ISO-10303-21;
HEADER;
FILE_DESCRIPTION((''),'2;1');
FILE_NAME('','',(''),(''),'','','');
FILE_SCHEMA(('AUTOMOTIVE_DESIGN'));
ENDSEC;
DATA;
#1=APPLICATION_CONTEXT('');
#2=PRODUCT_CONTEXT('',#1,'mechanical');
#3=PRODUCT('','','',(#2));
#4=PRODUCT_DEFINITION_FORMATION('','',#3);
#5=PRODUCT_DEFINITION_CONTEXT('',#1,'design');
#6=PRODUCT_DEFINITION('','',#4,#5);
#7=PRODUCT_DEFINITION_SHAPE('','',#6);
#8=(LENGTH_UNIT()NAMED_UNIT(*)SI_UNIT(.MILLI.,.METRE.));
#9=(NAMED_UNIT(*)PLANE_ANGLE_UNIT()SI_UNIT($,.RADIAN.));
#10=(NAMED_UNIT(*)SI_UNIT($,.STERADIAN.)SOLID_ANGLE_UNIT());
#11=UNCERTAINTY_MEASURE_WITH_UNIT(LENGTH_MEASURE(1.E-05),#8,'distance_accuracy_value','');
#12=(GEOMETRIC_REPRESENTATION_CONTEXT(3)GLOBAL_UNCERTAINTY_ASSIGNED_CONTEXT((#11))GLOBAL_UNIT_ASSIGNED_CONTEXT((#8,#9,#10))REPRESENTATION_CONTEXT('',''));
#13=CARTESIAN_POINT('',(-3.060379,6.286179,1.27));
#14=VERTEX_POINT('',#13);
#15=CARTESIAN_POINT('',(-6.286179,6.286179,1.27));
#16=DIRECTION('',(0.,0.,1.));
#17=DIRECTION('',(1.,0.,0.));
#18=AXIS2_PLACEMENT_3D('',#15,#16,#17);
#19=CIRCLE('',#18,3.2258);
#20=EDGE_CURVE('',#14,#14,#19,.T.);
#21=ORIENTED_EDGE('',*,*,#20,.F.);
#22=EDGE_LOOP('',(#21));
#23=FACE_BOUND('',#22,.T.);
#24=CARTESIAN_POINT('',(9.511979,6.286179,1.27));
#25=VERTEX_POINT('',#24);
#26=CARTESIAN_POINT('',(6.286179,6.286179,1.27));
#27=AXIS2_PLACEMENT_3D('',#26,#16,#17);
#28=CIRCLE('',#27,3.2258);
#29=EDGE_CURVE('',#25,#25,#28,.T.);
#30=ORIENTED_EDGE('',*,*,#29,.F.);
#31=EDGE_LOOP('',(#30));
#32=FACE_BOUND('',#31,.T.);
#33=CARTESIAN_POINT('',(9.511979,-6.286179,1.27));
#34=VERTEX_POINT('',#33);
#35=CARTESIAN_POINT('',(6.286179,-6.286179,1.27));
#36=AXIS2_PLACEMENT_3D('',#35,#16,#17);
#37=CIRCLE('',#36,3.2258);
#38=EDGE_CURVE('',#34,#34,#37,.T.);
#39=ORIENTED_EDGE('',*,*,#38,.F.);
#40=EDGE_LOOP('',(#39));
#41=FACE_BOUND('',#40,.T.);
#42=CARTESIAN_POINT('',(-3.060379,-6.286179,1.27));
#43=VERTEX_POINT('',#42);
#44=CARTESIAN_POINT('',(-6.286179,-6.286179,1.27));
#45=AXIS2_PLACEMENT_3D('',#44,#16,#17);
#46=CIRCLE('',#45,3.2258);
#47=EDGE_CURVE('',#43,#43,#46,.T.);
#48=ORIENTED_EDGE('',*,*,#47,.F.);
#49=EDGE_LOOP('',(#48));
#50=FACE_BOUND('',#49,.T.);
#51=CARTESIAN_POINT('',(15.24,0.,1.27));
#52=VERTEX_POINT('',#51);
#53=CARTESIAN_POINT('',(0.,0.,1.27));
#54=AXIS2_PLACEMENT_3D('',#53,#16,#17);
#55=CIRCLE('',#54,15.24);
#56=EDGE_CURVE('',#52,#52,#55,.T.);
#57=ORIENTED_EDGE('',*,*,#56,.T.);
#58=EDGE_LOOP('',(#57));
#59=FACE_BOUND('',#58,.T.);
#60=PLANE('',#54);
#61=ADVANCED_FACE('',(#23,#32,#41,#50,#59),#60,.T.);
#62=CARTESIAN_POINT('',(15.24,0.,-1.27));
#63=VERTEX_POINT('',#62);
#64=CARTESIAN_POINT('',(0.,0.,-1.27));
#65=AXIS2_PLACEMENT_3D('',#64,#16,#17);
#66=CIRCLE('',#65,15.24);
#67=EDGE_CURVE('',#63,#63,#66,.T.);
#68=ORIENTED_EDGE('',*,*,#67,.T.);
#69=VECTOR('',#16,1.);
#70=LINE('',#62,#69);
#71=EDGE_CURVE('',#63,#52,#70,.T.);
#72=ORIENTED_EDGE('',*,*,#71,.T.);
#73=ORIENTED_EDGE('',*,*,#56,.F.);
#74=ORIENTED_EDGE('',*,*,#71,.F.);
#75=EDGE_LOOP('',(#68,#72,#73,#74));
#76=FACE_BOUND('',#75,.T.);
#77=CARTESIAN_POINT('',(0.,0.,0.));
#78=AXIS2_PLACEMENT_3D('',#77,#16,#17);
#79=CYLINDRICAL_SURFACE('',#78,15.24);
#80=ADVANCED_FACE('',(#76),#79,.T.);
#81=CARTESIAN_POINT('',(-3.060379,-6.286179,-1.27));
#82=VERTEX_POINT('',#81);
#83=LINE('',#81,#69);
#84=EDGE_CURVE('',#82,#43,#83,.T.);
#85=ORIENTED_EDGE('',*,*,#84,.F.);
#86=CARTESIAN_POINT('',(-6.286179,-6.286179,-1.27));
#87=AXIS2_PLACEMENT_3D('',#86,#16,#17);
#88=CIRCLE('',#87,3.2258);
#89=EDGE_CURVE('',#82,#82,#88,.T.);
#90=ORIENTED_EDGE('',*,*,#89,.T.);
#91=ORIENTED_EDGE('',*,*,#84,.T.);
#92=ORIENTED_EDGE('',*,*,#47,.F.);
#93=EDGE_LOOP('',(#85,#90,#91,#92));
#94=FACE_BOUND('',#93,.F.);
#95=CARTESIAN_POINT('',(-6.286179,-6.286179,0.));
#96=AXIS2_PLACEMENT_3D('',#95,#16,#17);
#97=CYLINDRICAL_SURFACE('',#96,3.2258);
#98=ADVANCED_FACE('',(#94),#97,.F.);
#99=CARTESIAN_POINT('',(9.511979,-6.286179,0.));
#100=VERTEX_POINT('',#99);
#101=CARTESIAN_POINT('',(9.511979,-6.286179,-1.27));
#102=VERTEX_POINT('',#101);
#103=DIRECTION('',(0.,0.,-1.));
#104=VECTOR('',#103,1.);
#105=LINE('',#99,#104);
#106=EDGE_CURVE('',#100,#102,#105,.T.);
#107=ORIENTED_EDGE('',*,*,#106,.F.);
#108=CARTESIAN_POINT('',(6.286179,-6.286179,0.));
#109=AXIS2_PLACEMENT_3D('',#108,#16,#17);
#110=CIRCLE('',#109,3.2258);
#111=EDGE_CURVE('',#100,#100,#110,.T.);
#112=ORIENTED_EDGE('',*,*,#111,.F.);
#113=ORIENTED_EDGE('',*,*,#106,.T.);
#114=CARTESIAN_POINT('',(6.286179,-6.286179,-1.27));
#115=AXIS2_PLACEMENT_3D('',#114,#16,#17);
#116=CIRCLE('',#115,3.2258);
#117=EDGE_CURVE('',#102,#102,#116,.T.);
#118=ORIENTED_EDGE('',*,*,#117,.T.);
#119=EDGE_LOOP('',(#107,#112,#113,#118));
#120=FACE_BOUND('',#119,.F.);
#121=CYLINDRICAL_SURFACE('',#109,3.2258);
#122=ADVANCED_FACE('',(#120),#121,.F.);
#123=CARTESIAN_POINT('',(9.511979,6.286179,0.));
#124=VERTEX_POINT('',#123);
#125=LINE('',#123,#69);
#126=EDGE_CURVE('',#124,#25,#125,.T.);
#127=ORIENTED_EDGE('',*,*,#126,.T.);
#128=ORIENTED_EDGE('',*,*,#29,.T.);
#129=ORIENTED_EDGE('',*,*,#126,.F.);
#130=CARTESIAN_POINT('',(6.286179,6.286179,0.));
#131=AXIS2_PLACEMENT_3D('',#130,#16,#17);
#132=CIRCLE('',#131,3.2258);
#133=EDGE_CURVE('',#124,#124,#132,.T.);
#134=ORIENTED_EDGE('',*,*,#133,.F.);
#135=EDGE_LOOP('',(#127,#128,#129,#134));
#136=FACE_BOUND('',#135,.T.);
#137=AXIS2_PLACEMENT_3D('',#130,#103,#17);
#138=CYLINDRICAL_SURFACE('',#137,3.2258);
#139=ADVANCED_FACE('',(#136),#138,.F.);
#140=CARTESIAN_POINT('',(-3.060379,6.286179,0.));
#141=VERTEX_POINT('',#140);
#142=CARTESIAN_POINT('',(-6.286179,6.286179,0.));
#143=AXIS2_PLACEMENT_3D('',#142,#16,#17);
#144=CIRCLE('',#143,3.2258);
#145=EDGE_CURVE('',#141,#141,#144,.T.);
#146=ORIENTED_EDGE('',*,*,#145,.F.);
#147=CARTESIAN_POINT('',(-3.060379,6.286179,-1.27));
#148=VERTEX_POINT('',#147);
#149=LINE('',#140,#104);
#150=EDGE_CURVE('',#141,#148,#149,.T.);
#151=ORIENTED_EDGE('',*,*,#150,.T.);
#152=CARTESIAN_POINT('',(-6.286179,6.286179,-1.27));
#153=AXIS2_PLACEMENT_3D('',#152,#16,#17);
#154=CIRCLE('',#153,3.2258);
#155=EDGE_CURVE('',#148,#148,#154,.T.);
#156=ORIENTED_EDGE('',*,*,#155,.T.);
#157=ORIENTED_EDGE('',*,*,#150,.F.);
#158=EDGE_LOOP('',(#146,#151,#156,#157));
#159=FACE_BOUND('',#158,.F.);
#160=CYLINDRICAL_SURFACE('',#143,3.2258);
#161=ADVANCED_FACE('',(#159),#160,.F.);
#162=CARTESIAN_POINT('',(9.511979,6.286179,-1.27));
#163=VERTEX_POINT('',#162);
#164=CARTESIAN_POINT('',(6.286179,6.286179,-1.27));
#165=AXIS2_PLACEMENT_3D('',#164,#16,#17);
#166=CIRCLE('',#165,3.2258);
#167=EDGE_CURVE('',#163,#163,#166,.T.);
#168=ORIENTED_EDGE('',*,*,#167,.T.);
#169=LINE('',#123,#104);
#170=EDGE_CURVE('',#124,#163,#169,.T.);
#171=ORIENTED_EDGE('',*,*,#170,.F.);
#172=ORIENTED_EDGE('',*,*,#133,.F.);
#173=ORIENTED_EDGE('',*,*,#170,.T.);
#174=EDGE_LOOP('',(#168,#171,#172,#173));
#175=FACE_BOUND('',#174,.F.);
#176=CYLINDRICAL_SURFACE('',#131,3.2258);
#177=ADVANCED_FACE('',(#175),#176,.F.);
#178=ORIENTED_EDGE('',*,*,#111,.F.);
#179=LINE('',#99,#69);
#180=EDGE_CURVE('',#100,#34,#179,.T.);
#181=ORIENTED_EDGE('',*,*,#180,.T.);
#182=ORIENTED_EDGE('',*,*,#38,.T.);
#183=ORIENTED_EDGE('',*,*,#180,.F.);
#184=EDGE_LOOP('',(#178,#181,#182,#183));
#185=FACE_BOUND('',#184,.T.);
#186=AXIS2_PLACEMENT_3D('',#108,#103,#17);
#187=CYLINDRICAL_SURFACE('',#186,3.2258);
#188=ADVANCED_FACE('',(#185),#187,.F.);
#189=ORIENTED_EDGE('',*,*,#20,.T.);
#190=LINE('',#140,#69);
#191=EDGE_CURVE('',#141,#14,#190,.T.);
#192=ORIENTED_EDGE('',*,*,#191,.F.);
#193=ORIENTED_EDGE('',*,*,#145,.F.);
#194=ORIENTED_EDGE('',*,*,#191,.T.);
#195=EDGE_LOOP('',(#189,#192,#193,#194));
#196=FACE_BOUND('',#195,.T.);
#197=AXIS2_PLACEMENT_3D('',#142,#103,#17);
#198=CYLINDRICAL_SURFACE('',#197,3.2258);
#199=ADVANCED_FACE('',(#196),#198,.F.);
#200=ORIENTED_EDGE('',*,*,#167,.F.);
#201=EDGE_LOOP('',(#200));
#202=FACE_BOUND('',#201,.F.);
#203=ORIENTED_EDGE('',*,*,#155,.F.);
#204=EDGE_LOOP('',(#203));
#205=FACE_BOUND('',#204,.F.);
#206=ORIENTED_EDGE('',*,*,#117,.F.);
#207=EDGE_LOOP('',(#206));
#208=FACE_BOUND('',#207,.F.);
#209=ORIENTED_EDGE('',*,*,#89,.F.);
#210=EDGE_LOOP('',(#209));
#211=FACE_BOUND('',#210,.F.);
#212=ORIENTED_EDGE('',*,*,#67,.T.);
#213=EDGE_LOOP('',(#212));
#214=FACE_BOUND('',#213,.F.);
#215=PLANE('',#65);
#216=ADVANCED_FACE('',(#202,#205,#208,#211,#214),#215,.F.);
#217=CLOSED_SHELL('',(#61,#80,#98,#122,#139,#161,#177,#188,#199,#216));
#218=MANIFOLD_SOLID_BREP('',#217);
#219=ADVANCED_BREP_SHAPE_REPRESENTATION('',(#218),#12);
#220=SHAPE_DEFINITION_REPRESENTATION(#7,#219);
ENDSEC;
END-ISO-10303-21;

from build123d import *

# Parameters (mm, degrees)
F0_R     = 15.24
F2_DEPTH = 1.27
F1_R     = 3.2258
F3_DEPTH = 1.27


with BuildPart() as f2:
    # F0 (on Top) → F2 (new body, symmetric)
    with BuildSketch(Plane.XY):
        Circle(F0_R)
    extrude(amount=F2_DEPTH, both=True)

    # F1 (on face) → F3 (cut, symmetric)
    with BuildSketch(Plane.XY):
        with Locations((6.286179, 6.286179)):
            Circle(F1_R)
        with Locations((-6.286179, 6.286179)):
            Circle(F1_R)
        with Locations((6.286179, -6.286179)):
            Circle(F1_R)
        with Locations((-6.286179, -6.286179)):
            Circle(F1_R)
    extrude(amount=F3_DEPTH, both=True, mode=Mode.SUBTRACT)


solid = f2.part
